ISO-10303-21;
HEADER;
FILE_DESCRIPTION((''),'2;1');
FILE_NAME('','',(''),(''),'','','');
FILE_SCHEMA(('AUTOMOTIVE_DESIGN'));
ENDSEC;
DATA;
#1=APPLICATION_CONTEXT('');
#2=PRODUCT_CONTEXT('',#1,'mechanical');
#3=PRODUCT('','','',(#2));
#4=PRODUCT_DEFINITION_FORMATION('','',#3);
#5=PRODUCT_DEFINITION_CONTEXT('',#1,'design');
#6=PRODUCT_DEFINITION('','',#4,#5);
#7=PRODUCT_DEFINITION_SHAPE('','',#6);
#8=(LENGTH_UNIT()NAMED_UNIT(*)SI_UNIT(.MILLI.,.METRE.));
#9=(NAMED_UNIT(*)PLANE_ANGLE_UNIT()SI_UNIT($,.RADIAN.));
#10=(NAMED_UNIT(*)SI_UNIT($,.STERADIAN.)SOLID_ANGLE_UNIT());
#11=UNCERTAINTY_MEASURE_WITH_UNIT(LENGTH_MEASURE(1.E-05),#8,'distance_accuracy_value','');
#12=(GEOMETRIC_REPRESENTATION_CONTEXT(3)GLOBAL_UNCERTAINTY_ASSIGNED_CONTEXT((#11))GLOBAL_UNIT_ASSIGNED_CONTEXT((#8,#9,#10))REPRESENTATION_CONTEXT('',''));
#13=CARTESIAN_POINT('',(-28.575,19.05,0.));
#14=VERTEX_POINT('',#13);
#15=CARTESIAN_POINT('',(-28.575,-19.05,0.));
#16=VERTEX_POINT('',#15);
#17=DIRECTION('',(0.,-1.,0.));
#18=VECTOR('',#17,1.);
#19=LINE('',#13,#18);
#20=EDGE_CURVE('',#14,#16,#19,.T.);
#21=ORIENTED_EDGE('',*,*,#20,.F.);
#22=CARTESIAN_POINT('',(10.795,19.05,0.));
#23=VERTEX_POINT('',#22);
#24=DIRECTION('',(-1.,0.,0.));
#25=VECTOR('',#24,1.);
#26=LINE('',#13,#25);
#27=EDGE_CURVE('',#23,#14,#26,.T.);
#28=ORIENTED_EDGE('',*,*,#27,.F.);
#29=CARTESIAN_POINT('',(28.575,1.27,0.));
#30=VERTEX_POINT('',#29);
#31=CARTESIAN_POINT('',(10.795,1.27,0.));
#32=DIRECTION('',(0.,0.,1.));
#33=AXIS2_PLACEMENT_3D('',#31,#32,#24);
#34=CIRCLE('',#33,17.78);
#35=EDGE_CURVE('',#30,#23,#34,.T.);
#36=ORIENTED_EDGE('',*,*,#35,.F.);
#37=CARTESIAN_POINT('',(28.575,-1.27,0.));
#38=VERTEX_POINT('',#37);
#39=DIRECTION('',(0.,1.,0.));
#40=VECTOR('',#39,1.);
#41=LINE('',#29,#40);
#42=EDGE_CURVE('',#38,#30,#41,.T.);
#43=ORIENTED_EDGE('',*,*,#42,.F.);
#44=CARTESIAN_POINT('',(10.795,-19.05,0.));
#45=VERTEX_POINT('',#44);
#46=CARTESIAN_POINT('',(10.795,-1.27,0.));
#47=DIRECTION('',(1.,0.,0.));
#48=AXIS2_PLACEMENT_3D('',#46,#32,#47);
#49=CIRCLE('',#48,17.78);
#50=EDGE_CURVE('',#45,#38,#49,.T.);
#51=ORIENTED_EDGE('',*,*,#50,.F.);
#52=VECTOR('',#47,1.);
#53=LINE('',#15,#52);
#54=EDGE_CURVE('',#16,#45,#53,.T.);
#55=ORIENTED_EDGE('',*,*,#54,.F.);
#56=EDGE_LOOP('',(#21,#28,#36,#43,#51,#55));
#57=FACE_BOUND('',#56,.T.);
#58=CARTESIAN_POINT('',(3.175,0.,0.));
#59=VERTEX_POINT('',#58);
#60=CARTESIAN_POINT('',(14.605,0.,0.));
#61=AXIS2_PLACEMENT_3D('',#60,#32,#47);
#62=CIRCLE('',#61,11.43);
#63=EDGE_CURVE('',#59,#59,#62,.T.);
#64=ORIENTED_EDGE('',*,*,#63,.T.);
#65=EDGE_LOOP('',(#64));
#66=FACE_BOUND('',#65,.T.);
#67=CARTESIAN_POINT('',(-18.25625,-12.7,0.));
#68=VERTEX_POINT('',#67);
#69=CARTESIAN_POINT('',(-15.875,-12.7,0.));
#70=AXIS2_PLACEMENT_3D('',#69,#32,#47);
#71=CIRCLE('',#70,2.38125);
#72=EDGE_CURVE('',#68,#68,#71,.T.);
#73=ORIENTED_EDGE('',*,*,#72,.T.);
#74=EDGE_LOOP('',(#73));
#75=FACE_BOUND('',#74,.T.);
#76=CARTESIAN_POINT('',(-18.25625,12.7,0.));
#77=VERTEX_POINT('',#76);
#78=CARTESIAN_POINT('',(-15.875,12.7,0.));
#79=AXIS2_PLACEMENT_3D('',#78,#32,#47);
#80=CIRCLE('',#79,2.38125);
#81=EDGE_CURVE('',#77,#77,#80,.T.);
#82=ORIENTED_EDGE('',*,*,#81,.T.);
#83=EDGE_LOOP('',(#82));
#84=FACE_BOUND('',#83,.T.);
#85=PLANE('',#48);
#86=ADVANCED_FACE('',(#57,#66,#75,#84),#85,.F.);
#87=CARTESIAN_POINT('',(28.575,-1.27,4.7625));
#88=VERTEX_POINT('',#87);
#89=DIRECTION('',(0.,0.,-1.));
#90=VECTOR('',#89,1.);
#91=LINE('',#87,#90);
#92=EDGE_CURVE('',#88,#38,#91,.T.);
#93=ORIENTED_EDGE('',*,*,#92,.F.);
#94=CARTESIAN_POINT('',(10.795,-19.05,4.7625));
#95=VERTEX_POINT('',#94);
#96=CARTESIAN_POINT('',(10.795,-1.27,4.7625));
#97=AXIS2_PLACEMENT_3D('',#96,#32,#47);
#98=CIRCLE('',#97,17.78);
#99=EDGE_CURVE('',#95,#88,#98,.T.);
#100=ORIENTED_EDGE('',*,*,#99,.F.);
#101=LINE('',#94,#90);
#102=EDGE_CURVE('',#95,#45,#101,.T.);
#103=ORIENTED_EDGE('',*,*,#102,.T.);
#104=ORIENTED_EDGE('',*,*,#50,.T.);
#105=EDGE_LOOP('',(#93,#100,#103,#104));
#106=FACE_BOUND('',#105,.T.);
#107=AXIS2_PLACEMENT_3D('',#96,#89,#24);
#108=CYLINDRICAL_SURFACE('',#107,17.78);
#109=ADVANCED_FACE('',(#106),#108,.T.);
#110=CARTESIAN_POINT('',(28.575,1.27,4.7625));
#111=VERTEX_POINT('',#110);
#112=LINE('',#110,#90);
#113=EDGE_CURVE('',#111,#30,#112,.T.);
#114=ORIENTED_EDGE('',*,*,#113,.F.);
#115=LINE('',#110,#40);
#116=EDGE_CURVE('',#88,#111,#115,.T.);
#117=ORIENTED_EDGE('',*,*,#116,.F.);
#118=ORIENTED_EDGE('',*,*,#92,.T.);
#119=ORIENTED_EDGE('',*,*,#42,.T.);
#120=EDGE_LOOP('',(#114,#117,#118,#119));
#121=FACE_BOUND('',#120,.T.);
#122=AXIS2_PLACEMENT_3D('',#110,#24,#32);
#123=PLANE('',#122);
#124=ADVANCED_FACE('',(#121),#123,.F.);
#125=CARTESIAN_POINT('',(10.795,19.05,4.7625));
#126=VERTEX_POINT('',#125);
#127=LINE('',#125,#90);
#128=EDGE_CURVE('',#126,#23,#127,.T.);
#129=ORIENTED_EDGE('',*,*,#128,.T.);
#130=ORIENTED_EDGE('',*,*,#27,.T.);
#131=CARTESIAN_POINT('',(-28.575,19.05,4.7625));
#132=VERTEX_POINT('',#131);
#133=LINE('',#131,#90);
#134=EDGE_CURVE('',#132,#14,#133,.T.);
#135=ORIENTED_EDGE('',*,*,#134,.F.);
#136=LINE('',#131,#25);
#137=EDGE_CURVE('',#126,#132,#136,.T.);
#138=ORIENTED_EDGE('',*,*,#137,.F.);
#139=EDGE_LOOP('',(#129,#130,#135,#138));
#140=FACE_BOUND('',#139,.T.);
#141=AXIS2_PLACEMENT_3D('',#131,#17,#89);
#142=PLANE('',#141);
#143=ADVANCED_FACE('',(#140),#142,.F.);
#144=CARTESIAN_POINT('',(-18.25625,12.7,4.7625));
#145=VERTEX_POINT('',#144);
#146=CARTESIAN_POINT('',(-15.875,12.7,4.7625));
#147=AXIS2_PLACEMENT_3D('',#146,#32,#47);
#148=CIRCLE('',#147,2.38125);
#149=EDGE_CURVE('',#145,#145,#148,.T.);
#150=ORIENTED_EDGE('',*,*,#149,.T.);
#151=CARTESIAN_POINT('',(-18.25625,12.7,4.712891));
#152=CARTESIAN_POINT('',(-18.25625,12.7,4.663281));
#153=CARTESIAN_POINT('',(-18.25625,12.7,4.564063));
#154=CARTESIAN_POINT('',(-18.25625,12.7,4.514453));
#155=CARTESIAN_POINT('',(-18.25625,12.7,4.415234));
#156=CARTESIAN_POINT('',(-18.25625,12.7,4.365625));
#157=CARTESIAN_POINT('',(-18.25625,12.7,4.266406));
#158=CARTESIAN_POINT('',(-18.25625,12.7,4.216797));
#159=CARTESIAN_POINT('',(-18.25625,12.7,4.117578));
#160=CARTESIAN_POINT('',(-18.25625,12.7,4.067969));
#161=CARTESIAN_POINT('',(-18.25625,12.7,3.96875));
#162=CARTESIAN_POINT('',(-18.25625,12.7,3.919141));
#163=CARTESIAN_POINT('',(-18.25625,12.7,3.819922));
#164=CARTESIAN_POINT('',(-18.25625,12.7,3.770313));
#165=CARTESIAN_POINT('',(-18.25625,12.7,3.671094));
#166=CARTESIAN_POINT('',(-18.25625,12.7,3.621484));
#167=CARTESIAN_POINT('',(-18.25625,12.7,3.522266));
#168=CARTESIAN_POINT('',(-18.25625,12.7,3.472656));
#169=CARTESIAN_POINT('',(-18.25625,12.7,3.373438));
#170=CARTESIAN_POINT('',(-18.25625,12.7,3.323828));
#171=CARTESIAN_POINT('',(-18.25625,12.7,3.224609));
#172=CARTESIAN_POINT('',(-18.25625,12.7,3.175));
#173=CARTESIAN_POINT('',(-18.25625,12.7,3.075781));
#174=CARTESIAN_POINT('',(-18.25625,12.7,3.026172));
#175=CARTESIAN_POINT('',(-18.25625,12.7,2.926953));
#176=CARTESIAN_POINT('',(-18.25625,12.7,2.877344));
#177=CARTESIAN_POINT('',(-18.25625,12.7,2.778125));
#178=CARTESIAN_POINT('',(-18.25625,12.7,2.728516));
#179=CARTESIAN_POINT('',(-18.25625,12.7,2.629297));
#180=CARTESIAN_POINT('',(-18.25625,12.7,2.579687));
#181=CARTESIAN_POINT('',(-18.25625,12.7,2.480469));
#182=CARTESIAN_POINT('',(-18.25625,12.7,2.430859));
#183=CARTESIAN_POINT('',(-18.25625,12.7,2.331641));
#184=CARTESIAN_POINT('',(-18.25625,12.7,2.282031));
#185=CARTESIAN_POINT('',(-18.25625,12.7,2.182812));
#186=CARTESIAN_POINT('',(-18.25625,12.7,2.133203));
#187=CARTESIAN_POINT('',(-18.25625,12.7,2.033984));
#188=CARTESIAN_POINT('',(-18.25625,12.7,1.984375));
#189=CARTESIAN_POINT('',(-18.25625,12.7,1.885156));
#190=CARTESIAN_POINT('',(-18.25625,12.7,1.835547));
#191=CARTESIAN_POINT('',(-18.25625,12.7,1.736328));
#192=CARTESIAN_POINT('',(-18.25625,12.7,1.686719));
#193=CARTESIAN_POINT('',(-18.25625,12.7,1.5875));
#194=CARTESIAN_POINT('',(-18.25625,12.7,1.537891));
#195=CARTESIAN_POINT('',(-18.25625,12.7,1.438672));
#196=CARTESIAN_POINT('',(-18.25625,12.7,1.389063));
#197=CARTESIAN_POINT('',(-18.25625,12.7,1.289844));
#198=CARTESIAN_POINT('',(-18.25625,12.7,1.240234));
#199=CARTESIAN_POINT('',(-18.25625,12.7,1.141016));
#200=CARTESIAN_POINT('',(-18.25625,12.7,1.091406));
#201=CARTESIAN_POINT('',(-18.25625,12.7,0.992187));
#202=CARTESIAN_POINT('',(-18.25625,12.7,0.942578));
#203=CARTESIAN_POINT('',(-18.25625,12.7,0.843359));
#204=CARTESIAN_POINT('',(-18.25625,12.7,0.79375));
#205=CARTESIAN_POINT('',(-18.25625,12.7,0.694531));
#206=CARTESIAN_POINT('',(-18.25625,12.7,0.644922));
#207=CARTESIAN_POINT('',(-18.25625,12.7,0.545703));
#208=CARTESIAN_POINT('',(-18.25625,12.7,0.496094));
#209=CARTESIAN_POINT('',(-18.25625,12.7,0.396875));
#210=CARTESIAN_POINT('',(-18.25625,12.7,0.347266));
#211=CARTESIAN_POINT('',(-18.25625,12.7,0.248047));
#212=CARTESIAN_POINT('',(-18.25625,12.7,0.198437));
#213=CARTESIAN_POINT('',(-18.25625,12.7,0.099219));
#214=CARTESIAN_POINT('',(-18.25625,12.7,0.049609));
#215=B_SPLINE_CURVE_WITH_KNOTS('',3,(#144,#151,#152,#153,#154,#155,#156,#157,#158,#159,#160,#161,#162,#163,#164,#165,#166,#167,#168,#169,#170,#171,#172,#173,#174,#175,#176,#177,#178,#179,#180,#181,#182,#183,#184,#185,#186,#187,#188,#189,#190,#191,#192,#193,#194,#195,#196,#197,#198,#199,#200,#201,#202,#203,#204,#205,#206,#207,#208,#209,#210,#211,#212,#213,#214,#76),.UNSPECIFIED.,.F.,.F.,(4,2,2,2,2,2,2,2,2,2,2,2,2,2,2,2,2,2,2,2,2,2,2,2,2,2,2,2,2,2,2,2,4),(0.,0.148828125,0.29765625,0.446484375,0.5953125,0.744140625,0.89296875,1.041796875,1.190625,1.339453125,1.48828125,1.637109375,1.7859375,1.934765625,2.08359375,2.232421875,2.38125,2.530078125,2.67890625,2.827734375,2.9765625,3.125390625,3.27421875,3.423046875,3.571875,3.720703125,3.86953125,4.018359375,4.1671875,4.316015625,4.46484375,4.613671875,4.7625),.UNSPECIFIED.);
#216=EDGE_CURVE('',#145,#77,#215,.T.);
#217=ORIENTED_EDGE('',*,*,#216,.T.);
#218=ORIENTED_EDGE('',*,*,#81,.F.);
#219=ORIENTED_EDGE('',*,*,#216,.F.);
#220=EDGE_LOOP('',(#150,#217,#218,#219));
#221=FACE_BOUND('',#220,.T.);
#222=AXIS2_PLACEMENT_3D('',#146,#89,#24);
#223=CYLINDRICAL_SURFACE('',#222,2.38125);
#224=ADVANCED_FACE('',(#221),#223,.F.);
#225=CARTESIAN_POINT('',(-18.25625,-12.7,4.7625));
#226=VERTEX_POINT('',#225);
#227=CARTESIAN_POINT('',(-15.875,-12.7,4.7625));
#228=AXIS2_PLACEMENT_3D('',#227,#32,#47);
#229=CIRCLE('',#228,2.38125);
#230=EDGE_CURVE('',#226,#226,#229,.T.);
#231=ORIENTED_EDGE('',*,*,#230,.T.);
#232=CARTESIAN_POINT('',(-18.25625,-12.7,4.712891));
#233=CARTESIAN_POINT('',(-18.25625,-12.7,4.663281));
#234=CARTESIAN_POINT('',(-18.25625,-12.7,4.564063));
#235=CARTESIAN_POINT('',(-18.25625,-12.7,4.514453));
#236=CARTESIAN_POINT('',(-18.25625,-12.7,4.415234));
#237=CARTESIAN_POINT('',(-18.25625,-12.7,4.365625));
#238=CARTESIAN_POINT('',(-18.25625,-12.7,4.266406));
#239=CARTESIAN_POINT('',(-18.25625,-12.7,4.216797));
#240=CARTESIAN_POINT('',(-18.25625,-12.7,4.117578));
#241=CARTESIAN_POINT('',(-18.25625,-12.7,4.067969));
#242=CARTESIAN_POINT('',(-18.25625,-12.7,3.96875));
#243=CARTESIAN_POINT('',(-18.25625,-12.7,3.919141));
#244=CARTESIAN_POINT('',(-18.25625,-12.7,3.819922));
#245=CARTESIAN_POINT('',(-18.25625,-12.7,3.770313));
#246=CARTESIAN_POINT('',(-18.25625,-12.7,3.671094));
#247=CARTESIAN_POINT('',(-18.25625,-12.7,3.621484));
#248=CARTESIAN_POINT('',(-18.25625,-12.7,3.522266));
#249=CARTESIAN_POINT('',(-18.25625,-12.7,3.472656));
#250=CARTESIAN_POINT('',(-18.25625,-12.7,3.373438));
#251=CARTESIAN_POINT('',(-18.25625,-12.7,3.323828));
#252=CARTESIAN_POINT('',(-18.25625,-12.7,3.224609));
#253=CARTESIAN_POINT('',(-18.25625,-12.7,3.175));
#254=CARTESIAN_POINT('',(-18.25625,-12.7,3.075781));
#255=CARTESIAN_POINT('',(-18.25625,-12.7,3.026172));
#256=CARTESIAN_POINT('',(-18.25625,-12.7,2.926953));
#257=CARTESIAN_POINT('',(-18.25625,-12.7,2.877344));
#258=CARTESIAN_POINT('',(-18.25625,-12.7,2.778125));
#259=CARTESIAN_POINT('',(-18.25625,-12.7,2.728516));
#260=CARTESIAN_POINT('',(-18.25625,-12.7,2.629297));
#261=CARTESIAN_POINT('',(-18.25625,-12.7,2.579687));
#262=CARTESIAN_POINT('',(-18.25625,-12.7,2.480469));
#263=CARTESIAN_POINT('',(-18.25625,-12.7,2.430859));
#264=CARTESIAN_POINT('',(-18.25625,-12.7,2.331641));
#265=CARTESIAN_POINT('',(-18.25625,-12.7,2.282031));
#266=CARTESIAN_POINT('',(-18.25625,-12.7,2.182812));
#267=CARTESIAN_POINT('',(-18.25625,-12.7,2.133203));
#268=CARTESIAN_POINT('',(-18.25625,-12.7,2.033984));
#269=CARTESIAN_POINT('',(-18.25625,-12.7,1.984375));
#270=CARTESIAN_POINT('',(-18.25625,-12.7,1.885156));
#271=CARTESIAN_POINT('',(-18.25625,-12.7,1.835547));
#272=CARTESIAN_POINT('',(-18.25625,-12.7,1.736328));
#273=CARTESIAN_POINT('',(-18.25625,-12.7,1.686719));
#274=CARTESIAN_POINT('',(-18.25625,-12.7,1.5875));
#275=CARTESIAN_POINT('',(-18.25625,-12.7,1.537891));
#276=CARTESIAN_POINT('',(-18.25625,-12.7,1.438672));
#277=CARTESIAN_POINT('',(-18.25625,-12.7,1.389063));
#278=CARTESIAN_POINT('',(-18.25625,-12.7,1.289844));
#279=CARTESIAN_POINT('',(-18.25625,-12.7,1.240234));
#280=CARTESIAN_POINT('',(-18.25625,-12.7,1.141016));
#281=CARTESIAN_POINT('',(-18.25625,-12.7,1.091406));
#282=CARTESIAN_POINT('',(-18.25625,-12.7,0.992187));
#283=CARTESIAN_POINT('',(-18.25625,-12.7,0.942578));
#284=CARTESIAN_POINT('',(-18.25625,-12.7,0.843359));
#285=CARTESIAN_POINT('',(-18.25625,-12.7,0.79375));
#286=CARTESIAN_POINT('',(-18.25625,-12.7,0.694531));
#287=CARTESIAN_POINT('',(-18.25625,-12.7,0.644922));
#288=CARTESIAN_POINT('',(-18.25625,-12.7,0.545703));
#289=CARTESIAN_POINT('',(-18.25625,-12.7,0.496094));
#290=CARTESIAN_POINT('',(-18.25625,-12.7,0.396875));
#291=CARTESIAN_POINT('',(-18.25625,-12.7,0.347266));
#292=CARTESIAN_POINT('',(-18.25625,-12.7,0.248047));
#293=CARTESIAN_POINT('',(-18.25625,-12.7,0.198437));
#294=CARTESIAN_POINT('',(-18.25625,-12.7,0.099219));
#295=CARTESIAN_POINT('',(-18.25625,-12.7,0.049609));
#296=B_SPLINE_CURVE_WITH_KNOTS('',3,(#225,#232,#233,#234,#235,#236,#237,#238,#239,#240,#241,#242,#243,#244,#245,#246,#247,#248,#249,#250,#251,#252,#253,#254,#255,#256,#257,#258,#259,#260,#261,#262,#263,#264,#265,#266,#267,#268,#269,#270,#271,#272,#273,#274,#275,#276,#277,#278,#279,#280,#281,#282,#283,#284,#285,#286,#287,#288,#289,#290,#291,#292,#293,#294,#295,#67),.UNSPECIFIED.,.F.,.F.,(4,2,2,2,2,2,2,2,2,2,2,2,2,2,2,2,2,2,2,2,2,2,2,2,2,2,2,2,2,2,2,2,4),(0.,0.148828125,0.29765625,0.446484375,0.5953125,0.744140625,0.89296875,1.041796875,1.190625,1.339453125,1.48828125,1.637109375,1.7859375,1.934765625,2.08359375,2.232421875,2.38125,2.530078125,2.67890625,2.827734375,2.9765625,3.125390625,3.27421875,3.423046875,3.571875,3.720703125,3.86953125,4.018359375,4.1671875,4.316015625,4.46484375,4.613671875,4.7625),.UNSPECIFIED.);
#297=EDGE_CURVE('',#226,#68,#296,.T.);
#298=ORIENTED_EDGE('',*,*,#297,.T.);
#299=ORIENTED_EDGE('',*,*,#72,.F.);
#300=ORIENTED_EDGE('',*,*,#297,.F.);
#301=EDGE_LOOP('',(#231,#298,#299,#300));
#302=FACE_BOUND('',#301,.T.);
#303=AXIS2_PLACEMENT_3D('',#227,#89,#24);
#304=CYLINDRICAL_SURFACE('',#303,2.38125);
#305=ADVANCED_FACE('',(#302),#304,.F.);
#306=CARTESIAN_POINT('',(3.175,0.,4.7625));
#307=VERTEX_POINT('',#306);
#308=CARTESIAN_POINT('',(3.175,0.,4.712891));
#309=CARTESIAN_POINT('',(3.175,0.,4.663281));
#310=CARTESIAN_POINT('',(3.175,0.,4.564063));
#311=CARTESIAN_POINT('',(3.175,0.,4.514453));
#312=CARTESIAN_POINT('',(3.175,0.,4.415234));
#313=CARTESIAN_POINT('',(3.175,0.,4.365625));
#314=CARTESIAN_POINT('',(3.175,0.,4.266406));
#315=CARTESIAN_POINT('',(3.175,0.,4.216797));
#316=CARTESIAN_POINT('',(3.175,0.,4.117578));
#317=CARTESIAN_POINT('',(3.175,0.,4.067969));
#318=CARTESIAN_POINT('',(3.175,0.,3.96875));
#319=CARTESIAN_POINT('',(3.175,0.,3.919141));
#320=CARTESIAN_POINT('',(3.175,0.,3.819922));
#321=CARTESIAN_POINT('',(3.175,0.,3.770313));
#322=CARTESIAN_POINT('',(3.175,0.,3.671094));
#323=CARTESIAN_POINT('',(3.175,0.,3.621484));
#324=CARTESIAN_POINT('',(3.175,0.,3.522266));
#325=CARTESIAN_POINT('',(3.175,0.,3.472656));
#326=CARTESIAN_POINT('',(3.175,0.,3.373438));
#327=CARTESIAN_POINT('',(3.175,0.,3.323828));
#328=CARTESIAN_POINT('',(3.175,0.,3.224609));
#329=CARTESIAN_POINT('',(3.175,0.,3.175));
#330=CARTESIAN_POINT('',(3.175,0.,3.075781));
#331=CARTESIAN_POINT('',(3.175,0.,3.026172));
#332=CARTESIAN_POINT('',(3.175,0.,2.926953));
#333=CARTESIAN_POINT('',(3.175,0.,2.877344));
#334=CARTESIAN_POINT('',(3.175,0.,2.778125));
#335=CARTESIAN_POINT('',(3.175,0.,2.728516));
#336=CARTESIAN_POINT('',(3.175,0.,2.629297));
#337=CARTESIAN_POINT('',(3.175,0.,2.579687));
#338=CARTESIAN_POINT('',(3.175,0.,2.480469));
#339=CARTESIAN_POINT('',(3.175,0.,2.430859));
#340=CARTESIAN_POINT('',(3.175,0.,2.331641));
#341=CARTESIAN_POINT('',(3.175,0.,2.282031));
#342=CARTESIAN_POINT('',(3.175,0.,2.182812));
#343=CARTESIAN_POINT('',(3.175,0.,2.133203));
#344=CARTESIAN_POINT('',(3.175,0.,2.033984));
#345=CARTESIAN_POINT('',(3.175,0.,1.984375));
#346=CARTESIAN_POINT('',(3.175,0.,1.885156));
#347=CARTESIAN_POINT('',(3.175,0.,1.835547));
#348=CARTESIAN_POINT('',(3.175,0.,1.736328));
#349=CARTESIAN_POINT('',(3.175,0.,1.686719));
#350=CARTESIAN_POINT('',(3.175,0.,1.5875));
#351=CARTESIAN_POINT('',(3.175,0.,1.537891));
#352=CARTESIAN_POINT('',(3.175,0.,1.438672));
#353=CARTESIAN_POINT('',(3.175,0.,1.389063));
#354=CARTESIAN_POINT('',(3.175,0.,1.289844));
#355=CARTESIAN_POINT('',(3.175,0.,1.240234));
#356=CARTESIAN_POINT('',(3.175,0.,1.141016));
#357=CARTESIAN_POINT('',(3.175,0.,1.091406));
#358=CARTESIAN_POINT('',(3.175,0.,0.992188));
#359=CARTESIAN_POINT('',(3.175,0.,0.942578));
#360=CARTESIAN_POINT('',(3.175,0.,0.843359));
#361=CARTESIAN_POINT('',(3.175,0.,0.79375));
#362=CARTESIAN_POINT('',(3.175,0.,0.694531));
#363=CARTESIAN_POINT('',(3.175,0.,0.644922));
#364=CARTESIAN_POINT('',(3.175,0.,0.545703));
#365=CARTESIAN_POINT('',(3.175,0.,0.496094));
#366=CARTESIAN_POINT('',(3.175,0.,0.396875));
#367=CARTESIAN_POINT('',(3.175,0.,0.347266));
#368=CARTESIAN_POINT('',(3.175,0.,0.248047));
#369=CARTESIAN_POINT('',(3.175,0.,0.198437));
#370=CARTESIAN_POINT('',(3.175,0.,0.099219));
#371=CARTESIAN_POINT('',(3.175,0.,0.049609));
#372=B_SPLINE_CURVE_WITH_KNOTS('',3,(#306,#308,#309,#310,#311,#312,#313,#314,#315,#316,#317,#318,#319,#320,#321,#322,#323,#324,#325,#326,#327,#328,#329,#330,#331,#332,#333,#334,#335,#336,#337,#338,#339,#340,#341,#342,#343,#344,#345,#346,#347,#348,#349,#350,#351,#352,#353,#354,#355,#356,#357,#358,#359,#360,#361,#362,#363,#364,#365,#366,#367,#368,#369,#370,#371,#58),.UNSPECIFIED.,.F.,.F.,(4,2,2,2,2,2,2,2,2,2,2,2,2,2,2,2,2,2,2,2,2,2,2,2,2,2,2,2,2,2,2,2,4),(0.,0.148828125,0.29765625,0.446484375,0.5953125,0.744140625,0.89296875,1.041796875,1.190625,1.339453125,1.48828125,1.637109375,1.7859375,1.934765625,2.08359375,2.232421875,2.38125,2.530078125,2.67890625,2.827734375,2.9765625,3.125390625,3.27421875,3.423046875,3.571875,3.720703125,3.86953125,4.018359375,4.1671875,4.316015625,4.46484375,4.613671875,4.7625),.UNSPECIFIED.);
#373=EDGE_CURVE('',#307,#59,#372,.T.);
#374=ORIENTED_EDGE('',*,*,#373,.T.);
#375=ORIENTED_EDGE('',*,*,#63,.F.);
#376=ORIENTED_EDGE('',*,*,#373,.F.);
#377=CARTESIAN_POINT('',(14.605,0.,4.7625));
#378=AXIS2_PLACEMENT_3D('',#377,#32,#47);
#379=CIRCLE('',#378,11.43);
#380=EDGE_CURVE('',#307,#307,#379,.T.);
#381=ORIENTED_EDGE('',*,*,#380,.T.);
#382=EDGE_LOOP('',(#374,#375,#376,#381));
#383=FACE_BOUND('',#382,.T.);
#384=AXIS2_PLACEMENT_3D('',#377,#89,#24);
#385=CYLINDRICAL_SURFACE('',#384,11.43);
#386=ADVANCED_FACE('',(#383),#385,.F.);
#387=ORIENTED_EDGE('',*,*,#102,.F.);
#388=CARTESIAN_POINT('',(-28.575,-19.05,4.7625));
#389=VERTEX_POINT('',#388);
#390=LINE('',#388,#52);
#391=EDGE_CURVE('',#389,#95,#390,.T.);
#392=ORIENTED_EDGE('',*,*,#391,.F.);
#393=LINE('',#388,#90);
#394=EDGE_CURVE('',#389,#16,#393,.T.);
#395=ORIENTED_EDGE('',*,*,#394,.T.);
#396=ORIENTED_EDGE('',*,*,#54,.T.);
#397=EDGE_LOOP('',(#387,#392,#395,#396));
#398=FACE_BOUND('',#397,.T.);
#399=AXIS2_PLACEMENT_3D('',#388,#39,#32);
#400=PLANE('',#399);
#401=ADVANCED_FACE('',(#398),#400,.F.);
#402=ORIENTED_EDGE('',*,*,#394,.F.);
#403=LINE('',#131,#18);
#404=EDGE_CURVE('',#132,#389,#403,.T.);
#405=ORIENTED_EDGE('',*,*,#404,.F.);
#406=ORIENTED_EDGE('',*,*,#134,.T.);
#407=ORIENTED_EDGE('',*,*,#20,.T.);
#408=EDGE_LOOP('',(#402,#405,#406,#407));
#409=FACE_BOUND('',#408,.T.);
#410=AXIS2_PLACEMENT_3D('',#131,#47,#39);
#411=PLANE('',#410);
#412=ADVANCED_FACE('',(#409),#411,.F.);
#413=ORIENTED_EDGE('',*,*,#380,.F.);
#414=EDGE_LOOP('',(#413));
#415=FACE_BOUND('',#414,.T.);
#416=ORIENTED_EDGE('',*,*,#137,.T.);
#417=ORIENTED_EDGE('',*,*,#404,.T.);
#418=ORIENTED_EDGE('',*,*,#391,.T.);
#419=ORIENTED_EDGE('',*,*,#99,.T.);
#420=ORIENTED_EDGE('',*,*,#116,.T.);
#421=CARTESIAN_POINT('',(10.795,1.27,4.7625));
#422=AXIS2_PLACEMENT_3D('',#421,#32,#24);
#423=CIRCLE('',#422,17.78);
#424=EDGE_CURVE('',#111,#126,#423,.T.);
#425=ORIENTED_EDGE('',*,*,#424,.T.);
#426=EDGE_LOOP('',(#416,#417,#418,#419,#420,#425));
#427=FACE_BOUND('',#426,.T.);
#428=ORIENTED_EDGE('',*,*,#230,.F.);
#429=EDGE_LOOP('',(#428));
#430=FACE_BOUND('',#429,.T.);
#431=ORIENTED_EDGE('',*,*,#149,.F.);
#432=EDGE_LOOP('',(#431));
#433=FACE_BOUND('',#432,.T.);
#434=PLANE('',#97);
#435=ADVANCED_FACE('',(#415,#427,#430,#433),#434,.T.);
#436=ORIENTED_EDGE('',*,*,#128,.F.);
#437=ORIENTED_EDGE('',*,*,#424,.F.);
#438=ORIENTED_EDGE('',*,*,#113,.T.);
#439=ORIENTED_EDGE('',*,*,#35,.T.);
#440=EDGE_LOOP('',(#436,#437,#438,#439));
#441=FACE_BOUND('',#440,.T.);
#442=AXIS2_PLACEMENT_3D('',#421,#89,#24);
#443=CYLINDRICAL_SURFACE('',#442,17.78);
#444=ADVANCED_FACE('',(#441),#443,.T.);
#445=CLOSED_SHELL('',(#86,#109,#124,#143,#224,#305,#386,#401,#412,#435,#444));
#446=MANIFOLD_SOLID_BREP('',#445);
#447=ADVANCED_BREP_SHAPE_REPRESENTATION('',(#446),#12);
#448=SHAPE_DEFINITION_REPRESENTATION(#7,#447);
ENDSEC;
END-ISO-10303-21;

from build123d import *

# Parameters (mm, degrees)
SKETCH1_R           = 11.43
SKETCH1_R_2         = 2.38125
BOSS_EXTRUDE1_DEPTH = 4.7625


with BuildPart() as part:
    # Sketch1 → Boss-Extrude1 (new body)
    with BuildSketch(Plane.XY):
        with BuildLine():
            Line((-28.575, 19.05), (10.795, 19.05))
            ThreePointArc((10.795, 19.05), (23.367358569, 13.842358569), (28.575, 1.27))
            Line((28.575, 1.27), (28.575, -1.27))
            ThreePointArc((28.575, -1.27), (23.367358569, -13.842358569), (10.795, -19.05))
            Line((10.795, -19.05), (-28.575, -19.05))
            Line((-28.575, -19.05), (-28.575, 19.05))
        make_face()
        with Locations(Location((14.605, 0, 0), (0, 0, 180))):
            Circle(SKETCH1_R, mode=Mode.SUBTRACT)
        with Locations(Location((-15.875, 12.7, 0), (0, 0, 180))):
            Circle(SKETCH1_R_2, mode=Mode.SUBTRACT)
        with Locations(Location((-15.875, -12.7, 0), (0, 0, 180))):
            Circle(SKETCH1_R_2, mode=Mode.SUBTRACT)
    extrude(amount=BOSS_EXTRUDE1_DEPTH)


solid = part.part
